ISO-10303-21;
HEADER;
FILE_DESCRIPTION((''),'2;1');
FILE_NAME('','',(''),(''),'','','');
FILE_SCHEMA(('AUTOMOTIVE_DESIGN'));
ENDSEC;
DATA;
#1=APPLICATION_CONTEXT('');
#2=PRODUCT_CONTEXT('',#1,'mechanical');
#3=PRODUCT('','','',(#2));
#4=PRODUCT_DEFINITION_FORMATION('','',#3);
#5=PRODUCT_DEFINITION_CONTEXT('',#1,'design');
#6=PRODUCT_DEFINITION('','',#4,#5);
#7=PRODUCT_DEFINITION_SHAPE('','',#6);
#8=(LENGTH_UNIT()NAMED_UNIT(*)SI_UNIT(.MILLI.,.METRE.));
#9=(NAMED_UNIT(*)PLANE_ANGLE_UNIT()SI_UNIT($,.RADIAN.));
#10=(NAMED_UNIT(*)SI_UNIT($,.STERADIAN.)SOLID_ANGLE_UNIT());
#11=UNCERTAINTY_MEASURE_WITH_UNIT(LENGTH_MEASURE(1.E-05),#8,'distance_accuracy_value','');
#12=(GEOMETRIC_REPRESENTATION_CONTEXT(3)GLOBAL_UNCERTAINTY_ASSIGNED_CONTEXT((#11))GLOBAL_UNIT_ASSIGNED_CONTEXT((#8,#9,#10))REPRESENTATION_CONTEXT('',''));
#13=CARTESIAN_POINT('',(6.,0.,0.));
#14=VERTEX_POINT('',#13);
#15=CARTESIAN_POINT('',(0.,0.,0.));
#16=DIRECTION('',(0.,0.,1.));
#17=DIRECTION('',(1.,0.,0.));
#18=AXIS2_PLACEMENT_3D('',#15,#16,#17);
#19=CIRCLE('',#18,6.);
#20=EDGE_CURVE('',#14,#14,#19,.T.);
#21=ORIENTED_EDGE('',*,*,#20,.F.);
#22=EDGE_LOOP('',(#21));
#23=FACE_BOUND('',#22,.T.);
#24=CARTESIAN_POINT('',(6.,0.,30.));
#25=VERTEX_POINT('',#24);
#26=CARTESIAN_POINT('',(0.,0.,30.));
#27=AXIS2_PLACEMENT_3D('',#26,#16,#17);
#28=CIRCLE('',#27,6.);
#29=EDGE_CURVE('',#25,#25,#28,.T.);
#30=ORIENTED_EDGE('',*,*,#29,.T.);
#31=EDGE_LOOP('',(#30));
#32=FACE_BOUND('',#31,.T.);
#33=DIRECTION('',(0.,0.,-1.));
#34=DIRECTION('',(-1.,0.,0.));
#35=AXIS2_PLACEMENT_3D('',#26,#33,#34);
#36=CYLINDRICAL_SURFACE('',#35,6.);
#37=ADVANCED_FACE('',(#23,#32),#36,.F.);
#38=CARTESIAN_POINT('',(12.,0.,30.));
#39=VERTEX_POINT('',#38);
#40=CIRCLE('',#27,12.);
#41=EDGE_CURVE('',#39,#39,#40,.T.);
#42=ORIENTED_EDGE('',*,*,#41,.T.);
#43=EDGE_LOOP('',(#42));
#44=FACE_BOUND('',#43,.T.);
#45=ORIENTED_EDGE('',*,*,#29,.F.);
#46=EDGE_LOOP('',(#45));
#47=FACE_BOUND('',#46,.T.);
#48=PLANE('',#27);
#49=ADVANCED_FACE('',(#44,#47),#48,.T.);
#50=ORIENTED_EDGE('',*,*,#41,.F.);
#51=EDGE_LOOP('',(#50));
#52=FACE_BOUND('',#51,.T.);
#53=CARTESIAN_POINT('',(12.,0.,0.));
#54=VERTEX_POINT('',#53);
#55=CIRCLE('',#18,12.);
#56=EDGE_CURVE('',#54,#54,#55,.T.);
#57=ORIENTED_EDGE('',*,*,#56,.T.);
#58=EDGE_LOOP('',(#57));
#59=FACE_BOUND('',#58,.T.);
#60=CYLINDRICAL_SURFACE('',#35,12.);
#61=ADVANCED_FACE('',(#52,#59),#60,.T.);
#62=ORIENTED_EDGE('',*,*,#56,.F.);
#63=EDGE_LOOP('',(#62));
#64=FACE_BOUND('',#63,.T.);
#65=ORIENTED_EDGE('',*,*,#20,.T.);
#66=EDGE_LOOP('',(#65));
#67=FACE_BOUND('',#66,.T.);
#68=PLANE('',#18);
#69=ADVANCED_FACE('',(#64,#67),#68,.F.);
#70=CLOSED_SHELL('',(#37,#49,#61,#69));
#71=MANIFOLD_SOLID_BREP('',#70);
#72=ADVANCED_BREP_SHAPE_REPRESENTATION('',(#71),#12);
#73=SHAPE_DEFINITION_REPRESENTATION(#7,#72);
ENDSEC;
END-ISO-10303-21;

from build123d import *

# Parameters (mm, degrees)
SKETCH_1_R      = 6
EXTRUDE_1_DEPTH = 30


with BuildPart() as part:
    # Эскиз1 → Бобышка-Вытянуть1 (new body)
    with BuildSketch(Plane.XY):
        with BuildLine():
            ThreePointArc((12, 0), (0, 12), (-12, 0))
            ThreePointArc((-12, 0), (0, -12), (12, 0))
        make_face()
        Circle(SKETCH_1_R, mode=Mode.SUBTRACT)
    extrude(amount=EXTRUDE_1_DEPTH)


solid = part.part
